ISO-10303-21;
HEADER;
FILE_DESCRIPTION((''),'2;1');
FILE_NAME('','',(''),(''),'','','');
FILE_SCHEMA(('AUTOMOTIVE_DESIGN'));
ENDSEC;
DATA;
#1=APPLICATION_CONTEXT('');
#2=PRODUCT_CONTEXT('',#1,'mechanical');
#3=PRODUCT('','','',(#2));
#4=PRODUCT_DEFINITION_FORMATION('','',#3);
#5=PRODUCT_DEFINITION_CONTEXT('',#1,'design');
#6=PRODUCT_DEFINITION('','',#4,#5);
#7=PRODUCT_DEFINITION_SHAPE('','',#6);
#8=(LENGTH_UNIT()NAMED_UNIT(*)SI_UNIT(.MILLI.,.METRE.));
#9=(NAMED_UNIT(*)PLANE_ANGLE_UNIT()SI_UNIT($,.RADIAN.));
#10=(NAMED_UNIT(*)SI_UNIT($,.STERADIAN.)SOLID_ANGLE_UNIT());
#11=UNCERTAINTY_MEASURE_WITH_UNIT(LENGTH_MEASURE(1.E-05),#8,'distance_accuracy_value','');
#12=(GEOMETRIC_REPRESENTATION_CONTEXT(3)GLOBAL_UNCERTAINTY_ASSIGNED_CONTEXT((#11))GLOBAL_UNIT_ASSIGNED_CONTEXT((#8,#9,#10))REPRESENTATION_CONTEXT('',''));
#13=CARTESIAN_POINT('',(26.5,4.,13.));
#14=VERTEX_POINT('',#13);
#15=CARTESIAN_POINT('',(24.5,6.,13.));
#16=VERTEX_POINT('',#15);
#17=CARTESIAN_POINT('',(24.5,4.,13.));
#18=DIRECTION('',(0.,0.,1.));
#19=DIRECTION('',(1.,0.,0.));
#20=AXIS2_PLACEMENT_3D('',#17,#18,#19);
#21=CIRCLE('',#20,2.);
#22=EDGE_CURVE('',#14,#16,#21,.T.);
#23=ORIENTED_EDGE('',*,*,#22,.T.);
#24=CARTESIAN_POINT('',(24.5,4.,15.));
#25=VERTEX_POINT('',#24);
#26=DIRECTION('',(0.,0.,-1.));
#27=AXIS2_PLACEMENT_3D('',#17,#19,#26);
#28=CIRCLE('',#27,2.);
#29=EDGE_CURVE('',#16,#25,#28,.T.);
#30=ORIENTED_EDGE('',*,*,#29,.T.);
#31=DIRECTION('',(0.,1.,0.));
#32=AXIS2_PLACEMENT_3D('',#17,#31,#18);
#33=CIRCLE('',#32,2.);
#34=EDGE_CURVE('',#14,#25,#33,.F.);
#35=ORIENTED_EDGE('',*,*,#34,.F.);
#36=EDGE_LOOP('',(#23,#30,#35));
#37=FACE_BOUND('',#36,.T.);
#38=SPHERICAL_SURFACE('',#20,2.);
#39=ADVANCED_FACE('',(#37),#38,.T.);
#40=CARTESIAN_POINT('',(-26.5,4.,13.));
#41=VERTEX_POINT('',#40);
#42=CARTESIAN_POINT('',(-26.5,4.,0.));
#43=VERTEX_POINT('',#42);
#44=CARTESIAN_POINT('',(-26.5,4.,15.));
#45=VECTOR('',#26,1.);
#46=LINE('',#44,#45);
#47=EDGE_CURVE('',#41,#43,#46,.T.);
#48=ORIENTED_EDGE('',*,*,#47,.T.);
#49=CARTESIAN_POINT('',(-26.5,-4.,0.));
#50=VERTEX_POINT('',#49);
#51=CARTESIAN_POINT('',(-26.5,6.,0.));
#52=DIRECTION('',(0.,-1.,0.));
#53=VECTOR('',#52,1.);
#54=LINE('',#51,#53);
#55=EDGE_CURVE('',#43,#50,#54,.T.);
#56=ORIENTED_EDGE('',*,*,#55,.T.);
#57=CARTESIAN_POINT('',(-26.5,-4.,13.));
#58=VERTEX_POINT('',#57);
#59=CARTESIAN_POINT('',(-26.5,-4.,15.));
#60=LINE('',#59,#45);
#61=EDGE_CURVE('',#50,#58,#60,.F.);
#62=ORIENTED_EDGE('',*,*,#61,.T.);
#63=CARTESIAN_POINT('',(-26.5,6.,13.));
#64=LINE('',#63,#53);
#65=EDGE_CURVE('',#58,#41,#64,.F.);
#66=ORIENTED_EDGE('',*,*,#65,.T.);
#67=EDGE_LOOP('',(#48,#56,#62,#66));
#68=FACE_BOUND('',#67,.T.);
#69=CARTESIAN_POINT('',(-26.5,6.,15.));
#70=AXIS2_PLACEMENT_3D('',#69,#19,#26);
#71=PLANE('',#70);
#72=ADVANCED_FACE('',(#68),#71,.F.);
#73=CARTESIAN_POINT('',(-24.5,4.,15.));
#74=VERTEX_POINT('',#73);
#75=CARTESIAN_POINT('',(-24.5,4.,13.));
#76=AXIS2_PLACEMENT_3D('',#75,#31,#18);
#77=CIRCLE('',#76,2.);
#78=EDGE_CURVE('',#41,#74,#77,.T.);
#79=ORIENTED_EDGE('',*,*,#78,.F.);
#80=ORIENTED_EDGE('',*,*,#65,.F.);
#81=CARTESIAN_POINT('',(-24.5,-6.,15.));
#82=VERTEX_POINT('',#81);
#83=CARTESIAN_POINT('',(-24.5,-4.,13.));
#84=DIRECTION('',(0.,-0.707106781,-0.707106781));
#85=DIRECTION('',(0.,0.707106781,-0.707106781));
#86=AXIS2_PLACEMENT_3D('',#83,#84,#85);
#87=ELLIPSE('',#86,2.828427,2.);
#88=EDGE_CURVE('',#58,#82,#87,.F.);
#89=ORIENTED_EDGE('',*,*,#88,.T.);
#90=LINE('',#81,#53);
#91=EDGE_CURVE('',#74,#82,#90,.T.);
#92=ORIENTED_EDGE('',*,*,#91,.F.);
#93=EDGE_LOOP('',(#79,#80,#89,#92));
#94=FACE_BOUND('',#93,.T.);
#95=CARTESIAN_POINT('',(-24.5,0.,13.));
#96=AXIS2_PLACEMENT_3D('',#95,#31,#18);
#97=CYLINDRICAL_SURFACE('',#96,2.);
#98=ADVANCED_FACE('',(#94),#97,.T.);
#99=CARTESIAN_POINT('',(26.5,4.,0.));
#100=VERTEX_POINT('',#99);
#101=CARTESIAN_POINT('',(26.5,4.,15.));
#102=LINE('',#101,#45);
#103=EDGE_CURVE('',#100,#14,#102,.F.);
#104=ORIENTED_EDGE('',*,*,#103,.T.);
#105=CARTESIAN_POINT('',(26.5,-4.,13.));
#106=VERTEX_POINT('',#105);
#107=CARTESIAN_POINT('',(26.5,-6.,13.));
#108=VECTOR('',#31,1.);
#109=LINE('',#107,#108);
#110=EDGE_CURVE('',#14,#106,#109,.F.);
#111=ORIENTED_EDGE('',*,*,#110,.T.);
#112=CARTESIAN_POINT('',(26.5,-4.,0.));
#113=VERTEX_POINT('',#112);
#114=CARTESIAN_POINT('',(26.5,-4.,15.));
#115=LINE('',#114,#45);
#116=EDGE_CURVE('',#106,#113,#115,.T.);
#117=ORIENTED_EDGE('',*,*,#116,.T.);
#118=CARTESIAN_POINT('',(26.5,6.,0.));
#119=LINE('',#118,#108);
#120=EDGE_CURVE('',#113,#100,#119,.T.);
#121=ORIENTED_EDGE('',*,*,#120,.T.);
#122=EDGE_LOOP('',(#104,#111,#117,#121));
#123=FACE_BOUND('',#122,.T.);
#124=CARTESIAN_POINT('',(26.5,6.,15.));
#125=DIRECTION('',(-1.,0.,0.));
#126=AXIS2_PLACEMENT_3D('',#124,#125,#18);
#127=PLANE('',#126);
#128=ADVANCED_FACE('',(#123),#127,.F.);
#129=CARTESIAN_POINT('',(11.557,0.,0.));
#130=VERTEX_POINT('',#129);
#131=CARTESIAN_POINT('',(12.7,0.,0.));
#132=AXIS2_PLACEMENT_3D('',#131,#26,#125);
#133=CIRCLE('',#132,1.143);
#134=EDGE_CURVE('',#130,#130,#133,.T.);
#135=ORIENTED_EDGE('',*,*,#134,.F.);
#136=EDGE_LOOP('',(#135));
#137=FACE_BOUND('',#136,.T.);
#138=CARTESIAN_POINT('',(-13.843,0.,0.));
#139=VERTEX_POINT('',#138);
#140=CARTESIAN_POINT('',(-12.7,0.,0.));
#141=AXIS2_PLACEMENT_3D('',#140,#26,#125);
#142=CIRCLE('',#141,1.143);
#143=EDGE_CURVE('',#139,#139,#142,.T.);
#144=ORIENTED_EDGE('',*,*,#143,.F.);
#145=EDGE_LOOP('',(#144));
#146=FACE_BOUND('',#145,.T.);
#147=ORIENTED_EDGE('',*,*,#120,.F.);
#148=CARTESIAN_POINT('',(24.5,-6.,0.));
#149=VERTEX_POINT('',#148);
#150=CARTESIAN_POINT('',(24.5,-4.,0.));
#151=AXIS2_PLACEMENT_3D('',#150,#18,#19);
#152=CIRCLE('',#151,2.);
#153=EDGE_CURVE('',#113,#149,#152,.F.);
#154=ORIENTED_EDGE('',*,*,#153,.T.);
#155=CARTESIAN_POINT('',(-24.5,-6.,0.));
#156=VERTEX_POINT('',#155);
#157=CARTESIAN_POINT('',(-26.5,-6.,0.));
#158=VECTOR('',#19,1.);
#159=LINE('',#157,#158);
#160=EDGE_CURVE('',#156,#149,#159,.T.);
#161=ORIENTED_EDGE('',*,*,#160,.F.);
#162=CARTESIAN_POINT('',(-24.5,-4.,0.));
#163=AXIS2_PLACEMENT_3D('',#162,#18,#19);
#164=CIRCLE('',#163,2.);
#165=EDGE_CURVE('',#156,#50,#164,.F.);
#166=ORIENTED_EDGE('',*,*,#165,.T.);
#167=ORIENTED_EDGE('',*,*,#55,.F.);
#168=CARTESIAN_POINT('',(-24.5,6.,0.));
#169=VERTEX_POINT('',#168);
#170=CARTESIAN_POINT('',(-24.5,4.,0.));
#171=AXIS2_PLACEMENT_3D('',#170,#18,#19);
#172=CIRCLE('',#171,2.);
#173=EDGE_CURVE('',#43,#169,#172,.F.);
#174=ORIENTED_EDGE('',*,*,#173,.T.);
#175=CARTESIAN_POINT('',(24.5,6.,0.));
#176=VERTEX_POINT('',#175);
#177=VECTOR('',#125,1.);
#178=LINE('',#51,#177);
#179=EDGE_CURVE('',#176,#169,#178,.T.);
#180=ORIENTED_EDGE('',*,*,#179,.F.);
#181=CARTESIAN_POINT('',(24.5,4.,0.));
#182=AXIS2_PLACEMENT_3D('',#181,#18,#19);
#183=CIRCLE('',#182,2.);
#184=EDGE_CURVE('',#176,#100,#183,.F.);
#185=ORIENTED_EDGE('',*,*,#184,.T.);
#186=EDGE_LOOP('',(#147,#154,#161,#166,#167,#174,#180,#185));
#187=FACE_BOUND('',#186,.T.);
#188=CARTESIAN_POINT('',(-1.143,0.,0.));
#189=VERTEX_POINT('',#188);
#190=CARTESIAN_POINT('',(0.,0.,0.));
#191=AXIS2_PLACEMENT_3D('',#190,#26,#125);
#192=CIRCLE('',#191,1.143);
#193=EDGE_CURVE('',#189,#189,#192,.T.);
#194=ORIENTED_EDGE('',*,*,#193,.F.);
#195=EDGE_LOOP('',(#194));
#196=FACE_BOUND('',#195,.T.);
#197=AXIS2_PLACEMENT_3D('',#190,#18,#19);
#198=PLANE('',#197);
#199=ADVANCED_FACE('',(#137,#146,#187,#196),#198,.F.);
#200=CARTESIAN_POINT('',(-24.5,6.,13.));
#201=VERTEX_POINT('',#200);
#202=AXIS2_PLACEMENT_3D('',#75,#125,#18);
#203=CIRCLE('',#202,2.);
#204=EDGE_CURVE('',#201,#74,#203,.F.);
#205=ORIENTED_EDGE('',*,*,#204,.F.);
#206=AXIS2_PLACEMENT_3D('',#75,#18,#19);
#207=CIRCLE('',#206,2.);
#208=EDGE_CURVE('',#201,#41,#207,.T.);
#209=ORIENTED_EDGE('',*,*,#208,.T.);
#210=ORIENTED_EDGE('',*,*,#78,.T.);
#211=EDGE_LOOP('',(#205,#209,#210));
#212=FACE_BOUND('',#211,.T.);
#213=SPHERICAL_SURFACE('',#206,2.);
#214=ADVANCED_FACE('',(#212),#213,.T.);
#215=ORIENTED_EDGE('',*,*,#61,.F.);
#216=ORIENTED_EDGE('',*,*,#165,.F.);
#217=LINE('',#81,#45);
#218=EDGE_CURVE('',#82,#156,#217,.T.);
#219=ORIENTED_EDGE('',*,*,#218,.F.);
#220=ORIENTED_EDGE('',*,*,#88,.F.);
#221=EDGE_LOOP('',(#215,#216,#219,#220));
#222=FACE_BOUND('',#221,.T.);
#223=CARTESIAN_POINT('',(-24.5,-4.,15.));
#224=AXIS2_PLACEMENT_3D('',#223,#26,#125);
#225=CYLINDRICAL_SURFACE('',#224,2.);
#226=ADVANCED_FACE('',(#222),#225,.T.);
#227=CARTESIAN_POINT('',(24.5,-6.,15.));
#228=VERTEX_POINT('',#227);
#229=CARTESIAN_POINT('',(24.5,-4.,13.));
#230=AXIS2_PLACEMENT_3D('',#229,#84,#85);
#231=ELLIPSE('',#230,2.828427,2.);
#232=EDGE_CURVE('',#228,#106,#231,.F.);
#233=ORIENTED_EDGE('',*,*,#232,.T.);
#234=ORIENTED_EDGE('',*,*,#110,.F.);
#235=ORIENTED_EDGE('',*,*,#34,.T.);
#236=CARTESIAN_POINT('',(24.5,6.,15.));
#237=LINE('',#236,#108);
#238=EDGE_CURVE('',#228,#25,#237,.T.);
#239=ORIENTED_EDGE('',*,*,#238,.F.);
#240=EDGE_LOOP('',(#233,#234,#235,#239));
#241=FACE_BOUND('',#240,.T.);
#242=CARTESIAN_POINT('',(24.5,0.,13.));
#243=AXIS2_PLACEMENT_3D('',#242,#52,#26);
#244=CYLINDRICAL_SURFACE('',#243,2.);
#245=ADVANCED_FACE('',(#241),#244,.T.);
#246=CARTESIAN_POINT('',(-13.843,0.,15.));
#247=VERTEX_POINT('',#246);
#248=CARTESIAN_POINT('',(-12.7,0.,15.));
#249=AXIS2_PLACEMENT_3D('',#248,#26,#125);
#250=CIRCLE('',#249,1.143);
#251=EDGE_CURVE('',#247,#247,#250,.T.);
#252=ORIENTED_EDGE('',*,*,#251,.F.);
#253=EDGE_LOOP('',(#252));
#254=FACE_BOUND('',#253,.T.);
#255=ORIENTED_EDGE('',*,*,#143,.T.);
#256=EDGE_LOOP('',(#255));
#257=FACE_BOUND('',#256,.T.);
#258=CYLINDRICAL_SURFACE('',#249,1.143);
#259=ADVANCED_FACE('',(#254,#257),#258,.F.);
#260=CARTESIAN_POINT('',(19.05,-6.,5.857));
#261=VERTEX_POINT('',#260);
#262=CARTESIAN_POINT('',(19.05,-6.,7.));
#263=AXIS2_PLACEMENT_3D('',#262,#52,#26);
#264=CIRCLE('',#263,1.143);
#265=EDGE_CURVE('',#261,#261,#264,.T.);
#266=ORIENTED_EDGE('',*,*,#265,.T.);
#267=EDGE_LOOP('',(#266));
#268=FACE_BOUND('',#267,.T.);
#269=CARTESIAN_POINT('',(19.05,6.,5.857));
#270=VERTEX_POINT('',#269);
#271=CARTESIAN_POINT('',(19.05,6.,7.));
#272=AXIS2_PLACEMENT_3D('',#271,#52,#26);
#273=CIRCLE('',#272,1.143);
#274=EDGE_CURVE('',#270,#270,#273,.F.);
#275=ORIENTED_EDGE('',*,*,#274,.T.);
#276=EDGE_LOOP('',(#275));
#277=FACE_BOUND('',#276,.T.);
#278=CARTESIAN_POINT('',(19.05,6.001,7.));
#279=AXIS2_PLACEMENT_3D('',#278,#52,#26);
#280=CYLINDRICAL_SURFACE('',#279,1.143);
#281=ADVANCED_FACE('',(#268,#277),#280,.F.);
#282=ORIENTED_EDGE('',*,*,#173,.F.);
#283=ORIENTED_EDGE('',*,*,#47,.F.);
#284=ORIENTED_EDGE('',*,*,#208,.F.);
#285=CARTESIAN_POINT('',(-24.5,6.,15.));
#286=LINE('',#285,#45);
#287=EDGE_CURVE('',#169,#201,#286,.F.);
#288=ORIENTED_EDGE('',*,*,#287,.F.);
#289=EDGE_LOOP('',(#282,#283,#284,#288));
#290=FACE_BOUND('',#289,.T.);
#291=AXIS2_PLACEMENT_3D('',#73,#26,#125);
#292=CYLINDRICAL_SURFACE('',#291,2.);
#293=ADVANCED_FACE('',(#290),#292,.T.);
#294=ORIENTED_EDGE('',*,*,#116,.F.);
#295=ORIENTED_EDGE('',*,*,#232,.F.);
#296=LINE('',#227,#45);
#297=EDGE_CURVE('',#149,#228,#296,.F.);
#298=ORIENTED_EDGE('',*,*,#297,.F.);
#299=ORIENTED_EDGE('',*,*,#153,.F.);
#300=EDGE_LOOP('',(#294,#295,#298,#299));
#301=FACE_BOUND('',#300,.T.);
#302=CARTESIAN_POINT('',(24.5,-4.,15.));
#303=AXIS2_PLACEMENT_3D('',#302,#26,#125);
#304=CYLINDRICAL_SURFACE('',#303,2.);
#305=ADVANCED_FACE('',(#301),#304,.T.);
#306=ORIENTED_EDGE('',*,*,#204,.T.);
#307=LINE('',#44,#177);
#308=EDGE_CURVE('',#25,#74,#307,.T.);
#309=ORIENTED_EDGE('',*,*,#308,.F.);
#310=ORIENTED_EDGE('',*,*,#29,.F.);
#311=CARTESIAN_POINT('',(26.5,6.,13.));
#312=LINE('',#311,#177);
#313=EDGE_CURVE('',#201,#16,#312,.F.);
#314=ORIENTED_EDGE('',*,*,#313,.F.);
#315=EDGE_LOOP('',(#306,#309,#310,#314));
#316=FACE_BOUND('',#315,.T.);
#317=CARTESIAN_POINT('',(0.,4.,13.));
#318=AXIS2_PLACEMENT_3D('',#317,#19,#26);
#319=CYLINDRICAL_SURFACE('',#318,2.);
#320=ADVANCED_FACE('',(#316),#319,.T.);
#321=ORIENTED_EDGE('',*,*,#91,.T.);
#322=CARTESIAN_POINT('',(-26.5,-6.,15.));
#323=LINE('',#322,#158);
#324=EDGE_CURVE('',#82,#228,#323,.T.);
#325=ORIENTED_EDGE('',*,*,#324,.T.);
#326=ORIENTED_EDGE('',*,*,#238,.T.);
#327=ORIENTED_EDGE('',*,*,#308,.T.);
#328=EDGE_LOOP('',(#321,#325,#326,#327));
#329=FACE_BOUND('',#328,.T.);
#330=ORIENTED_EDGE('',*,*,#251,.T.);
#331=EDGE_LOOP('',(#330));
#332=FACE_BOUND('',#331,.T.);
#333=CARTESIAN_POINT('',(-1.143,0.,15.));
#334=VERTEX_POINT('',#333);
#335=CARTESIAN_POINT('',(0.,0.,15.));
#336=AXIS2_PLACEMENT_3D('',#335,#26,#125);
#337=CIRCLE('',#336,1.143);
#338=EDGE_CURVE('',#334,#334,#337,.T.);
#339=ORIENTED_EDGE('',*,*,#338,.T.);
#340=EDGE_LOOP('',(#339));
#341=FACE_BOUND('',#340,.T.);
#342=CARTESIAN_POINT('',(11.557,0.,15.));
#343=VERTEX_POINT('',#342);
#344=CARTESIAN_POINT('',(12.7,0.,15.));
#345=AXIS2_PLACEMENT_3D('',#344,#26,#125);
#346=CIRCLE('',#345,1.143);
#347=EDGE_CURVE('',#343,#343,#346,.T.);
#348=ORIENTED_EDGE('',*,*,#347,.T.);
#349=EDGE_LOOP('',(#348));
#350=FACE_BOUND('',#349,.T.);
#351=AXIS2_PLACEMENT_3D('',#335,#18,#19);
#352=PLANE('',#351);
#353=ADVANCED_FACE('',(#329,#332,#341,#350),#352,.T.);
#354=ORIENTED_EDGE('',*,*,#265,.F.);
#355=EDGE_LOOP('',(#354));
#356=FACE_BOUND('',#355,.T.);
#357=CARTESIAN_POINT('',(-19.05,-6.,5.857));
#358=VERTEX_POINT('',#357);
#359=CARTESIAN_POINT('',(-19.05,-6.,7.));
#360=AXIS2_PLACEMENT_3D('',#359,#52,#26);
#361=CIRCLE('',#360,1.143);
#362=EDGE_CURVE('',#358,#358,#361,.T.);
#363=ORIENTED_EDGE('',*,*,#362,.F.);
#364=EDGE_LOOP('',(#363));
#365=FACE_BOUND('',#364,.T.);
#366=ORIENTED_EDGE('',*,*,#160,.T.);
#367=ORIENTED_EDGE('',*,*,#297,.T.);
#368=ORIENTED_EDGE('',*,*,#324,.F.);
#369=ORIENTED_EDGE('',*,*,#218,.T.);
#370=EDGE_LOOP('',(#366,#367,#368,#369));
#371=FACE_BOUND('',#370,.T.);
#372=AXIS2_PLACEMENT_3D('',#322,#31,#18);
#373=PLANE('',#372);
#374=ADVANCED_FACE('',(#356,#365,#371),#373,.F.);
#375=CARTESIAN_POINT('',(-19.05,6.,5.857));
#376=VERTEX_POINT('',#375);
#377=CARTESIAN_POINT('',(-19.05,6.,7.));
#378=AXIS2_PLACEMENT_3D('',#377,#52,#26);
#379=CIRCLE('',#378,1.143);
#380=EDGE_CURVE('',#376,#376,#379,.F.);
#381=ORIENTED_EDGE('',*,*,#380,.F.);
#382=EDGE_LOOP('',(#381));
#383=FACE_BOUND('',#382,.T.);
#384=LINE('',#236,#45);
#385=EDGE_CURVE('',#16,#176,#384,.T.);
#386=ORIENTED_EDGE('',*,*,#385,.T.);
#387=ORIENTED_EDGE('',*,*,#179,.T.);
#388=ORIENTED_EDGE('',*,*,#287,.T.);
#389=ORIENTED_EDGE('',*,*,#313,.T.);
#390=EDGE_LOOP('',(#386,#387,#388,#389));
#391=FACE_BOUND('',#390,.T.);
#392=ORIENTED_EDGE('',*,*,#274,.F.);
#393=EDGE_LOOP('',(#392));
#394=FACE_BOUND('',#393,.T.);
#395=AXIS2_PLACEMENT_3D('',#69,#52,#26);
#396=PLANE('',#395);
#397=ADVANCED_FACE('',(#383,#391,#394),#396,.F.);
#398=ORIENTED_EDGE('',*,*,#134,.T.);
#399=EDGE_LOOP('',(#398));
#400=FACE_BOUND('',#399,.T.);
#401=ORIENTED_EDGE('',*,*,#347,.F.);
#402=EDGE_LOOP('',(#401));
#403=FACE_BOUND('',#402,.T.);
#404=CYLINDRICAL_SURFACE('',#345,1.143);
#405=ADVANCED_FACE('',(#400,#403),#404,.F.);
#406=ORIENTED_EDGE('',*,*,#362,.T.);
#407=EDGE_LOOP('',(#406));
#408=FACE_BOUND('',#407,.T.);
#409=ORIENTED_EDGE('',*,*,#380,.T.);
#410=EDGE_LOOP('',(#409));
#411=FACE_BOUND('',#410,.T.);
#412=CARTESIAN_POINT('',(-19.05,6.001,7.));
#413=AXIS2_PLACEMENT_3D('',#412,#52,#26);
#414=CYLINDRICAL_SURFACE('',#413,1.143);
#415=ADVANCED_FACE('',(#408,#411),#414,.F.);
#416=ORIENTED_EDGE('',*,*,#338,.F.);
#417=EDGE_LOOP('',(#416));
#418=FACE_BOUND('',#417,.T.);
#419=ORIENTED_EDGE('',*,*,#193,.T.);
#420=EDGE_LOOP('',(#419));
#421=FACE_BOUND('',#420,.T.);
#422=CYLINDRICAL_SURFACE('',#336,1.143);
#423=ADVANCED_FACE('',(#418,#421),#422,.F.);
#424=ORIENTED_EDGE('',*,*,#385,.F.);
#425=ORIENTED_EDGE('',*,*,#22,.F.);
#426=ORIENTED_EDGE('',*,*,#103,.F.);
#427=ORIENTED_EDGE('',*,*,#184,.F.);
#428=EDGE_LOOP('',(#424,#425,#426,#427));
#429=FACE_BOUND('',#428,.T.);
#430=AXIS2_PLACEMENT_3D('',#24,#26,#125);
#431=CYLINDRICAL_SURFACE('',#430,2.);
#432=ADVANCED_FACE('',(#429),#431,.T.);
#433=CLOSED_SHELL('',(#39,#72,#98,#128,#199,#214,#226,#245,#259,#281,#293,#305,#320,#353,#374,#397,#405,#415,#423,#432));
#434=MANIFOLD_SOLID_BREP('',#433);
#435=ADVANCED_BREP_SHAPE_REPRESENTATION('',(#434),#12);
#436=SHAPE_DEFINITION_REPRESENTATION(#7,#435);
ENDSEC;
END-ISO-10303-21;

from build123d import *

# Parameters (mm, degrees)
SKETCH1_W           = 53
SKETCH1_H           = 12
BOSS_EXTRUDE1_DEPTH = 15
CUT_EXTRUDE1_REACH  = 34.73
SKETCH2_R           = 1.143
FILLET1_R           = 2
SKETCH3_R           = 1.143
CUT_EXTRUDE2_DEPTH  = 32.036269106


with BuildPart() as part:
    # Sketch1 → Boss-Extrude1 (new body)
    with BuildSketch(Plane.XY):
        Rectangle(SKETCH1_W, SKETCH1_H)
    extrude(amount=BOSS_EXTRUDE1_DEPTH)

    # Sketch2 → Cut-Extrude1 (cut, up to next)
    with BuildSketch(Plane.XZ.offset(6), mode=Mode.PRIVATE) as cut_extrude1_sk1:
        with Locations(Location((-19.05, 7, 0), (0, 0, 270))):
            Circle(SKETCH2_R)
    cut_extrude1_tool1 = extrude(cut_extrude1_sk1.sketch, amount=-CUT_EXTRUDE1_REACH, mode=Mode.PRIVATE) & part.part
    # Sketch2 → Cut-Extrude1 (cut, up to next)
    with BuildSketch(Plane.XZ.offset(6), mode=Mode.PRIVATE) as cut_extrude1_sk2:
        with Locations(Location((19.05, 7, 0), (0, 0, 270))):
            Circle(SKETCH2_R)
    cut_extrude1_tool2 = extrude(cut_extrude1_sk2.sketch, amount=-CUT_EXTRUDE1_REACH, mode=Mode.PRIVATE) & part.part
    add(cut_extrude1_tool1.solids().sort_by_distance((-19.05, -6, 7))[0], mode=Mode.SUBTRACT)
    add(cut_extrude1_tool2.solids().sort_by_distance((19.05, -6, 7))[0], mode=Mode.SUBTRACT)

    # Fillet1
    fillet1_edges = [part.edges().sort_by_distance(p)[0] for p in [
        (-26.5, 0, 15),
        (26.5, 0, 15),
        (0, 6, 15),
        (26.5, -6, 7.5),
        (-26.5, -6, 7.5),
        (-26.5, 6, 7.5),
        (26.5, 6, 7.5),
    ]]
    fillet(fillet1_edges, radius=FILLET1_R)

    # Sketch3 → Cut-Extrude2 (cut, through all)
    with BuildSketch(Plane(origin=(0, 0, 0), x_dir=(-1, 0, 0), z_dir=(0, 0, -1))):
        with Locations((-12.7, 0)):
            Circle(SKETCH3_R)
        with Locations((12.7, 0)):
            Circle(SKETCH3_R)
        Circle(SKETCH3_R)
    extrude(amount=-CUT_EXTRUDE2_DEPTH, mode=Mode.SUBTRACT)


solid = part.part
